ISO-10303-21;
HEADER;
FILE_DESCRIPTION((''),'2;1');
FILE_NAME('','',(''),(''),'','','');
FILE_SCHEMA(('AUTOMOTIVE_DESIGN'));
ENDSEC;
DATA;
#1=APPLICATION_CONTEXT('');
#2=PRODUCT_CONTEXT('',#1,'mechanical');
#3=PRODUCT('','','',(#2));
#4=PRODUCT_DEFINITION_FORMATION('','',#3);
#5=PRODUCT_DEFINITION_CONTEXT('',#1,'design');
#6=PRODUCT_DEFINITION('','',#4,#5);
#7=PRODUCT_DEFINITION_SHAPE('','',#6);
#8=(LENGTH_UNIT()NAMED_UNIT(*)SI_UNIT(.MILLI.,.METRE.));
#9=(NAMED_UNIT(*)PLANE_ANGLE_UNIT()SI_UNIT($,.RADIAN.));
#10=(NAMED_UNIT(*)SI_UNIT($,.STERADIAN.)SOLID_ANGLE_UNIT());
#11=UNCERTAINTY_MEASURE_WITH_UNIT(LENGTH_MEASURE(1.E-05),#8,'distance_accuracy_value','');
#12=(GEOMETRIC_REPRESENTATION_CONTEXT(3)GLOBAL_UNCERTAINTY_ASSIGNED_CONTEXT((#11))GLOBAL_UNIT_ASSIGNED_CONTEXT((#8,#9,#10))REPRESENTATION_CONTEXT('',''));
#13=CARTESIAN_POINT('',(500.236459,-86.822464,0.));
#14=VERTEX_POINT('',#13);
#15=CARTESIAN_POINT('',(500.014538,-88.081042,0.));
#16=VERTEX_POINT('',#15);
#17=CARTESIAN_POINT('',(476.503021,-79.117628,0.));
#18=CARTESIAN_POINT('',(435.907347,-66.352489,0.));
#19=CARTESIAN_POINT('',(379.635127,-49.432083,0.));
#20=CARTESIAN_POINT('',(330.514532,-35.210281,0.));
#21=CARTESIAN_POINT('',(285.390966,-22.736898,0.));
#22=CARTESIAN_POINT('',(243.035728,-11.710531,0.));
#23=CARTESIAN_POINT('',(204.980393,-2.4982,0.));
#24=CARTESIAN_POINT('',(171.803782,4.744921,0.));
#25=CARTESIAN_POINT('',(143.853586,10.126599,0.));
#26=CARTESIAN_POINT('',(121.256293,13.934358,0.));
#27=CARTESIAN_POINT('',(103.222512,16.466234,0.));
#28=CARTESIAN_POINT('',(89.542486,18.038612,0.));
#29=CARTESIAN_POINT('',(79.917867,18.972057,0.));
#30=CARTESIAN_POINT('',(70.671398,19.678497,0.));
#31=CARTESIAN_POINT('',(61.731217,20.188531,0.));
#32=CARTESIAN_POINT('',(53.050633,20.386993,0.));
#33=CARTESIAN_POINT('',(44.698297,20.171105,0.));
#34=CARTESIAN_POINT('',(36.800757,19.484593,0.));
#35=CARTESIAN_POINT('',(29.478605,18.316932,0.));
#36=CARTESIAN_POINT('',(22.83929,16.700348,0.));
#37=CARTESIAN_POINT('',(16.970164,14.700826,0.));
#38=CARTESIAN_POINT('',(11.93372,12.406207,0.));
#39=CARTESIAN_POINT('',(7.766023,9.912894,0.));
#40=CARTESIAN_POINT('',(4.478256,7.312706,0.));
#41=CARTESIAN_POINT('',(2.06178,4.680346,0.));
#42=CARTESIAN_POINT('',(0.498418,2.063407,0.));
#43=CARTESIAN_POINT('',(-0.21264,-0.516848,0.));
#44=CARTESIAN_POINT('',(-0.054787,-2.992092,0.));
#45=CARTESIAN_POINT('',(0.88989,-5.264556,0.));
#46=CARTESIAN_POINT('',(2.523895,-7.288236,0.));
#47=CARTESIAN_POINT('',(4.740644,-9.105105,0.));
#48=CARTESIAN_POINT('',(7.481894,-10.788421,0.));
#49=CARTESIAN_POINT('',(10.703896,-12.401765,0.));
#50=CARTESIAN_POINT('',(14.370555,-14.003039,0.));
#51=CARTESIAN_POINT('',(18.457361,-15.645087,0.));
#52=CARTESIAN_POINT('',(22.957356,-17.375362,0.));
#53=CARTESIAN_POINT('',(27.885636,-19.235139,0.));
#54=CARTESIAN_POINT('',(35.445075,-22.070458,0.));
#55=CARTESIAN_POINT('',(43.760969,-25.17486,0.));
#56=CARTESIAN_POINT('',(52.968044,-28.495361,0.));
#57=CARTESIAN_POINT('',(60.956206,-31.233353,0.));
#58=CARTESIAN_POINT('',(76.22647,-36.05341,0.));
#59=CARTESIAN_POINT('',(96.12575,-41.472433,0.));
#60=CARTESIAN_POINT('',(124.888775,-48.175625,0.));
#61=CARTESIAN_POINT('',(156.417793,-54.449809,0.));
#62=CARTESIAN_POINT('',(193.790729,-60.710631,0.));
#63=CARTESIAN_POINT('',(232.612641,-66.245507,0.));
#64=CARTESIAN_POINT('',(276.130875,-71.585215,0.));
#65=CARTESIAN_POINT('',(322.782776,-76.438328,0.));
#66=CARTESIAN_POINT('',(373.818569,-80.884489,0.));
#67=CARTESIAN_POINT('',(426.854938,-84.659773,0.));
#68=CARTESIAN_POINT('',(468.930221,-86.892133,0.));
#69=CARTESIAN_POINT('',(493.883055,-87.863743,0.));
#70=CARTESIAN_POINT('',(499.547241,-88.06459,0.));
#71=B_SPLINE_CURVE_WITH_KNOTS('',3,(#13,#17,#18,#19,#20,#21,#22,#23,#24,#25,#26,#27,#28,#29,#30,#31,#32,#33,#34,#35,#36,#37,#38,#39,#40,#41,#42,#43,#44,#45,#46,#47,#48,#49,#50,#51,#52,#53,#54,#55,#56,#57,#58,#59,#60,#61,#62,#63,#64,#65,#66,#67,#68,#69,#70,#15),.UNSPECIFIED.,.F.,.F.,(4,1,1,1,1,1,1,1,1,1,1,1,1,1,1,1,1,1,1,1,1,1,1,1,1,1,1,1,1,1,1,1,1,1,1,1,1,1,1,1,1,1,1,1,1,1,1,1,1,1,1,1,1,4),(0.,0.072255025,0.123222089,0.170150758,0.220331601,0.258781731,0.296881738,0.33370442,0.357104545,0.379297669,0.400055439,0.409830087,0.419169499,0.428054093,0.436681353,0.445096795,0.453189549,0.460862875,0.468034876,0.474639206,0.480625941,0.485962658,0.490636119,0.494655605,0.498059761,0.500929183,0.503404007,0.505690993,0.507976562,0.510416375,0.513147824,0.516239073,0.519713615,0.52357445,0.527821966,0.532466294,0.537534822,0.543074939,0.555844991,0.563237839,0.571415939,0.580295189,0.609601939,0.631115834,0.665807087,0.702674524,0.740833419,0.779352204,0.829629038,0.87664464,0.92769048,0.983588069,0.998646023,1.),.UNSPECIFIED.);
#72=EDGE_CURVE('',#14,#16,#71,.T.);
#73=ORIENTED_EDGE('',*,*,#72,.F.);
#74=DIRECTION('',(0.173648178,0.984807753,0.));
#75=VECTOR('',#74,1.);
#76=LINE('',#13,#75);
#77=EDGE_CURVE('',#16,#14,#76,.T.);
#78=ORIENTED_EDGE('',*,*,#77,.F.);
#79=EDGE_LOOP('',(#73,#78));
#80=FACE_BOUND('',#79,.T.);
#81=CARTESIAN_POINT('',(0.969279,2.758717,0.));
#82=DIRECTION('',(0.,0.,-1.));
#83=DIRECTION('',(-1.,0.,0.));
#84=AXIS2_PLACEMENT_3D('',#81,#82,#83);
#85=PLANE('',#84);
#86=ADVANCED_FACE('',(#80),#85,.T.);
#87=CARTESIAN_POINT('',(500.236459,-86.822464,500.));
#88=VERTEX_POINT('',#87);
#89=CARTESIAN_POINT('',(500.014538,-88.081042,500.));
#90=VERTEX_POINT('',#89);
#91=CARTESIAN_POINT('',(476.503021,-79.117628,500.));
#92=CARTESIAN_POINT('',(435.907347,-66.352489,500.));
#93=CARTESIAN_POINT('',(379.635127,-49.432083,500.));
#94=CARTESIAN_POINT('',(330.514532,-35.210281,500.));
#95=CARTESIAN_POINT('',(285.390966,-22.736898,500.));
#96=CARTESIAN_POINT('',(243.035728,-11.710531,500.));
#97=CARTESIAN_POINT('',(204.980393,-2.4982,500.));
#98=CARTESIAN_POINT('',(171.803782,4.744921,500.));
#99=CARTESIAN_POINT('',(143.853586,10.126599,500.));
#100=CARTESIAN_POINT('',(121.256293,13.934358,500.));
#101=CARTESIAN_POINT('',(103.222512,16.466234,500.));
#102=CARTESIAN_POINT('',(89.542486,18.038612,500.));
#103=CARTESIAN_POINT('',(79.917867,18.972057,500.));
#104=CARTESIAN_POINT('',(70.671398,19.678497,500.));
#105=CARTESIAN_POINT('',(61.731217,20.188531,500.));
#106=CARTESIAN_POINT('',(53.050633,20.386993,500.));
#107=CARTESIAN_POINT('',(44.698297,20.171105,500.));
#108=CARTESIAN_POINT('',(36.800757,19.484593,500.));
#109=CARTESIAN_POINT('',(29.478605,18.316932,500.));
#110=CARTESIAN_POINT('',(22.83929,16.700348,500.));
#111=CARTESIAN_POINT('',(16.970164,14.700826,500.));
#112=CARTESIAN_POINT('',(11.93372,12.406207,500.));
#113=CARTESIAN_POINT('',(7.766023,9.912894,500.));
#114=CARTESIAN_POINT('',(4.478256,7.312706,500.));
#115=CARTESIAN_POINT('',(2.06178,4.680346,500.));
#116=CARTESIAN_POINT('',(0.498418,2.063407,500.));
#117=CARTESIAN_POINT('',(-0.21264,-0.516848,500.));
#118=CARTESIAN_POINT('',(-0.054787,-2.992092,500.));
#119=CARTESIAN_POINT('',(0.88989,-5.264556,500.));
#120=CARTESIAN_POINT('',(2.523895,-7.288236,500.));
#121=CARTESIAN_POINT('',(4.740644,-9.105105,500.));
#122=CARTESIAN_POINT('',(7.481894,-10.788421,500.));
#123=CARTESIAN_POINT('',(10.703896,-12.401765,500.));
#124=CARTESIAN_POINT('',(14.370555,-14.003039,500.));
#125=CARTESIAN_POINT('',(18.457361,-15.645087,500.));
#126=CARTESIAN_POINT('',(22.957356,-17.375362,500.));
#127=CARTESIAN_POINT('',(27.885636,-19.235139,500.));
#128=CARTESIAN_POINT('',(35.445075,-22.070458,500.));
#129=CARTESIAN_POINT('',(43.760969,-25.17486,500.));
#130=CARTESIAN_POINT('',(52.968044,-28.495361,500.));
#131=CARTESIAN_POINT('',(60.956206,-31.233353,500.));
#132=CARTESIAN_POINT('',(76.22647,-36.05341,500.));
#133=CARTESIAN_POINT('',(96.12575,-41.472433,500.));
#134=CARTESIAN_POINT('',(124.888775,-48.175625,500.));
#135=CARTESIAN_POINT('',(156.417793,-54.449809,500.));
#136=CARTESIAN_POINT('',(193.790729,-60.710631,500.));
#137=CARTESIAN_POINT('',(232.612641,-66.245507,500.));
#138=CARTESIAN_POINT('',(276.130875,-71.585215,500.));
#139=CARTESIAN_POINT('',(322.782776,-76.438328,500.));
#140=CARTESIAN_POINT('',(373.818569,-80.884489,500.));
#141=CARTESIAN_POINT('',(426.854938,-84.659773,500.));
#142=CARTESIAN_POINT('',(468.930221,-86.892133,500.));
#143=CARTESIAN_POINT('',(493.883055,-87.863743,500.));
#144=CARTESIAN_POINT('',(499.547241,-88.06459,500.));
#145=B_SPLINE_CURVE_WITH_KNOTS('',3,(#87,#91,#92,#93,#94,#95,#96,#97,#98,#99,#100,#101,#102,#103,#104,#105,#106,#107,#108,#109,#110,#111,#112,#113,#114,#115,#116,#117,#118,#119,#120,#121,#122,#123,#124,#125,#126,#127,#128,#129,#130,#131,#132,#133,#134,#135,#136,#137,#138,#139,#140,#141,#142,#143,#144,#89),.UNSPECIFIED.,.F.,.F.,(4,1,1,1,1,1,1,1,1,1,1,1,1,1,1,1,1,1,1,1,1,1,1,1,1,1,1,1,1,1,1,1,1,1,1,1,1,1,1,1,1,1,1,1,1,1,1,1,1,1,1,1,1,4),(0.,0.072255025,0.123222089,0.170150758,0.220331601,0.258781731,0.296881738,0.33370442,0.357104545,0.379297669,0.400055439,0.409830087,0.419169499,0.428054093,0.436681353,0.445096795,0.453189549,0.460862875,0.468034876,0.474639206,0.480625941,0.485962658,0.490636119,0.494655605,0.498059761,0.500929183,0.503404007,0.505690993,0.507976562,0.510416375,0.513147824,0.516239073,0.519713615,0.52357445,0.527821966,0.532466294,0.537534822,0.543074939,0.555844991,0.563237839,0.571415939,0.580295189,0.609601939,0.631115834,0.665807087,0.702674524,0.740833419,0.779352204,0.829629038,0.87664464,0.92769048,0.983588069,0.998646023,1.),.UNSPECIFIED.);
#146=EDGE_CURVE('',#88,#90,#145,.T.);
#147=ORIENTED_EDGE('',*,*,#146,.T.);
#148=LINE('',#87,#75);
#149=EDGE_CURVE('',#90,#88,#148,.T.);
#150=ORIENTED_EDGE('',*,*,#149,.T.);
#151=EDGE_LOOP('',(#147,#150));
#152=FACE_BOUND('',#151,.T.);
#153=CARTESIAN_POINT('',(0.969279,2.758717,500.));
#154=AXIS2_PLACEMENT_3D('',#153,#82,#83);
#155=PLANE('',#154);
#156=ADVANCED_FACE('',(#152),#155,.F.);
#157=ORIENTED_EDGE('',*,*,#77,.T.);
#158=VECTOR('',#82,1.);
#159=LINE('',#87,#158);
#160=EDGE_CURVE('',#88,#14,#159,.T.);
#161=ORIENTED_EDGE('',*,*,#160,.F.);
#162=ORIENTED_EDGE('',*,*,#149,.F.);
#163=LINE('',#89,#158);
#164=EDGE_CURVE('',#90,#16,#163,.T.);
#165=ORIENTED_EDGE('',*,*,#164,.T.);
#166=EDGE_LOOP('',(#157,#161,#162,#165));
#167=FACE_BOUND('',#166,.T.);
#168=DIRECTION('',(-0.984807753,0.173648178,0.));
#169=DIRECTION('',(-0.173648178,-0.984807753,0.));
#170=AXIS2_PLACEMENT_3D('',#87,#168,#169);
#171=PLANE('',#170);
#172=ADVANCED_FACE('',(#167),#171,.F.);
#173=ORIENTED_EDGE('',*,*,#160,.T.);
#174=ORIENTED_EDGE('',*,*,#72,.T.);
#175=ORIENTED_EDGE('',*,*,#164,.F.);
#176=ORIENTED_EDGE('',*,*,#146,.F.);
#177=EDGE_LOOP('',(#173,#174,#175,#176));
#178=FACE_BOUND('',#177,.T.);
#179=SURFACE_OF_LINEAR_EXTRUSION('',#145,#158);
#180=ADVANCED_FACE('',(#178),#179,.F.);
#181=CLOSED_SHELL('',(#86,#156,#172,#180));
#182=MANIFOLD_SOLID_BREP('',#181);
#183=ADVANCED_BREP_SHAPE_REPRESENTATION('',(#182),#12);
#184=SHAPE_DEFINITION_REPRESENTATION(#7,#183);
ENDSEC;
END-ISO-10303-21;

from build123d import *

# Parameters (mm, degrees)
DODANIE_WYCI_GNI_CIE1_DEPTH = 500


with BuildPart() as part:
    # Szkic1 → Dodanie-wyciągnięcie1 (new body)
    with BuildSketch(Plane.XY):
        with BuildLine():
            Line((500.236459207, -86.822463551), (500.014537954, -88.081041521))
            add(Edge.make_bspline(
                [(500.236459207, -86.822463551), (476.50302096, -79.117627864), (435.907347365, -66.352488826), (379.635127422, -49.432082907), (330.514532249, -35.210280772), (285.390965798, -22.736898114), (243.035728266, -11.710531457), (204.980392695, -2.498199851), (171.80378187, 4.744920732), (143.853586045, 10.126598704), (121.256292773, 13.934358096), (103.222511953, 16.4662337), (89.542486088, 18.038612433), (79.917866709, 18.972057051), (70.671398127, 19.678496533), (61.73121741, 20.188531005), (53.050632583, 20.386993119), (44.698296901, 20.171104888), (36.800756888, 19.484592527), (29.478604607, 18.316932041), (22.839289587, 16.700348263), (16.970164303, 14.700825556), (11.933719982, 12.406207295), (7.766023129, 9.912894215), (4.478256402, 7.312706017), (2.061779891, 4.680346152), (0.49841815, 2.063407037), (-0.212639902, -0.51684831), (-0.054787304, -2.992092218), (0.889889683, -5.26455614), (2.523894842, -7.288235737), (4.74064393, -9.105105292), (7.481894176, -10.788420727), (10.703896378, -12.401764648), (14.37055538, -14.00303941), (18.457361048, -15.645087446), (22.957356031, -17.375361521), (27.885635611, -19.235139498), (35.445075277, -22.070458454), (43.760969361, -25.174860079), (52.968044403, -28.495360735), (60.956206093, -31.233352864), (76.226469953, -36.053410227), (96.125750191, -41.472432941), (124.888774814, -48.175625048), (156.417792573, -54.449808774), (193.790729033, -60.710631254), (232.612641243, -66.245506853), (276.130874858, -71.585215369), (322.782776336, -76.438328082), (373.818568697, -80.884488537), (426.854937764, -84.659773211), (468.930220781, -86.892132863), (493.883055309, -87.863742522), (499.547240989, -88.064589736), (500.014537954, -88.081041521)],
                knots=[0, 0, 0, 0, 0.072255025, 0.123222089, 0.170150758, 0.220331601, 0.258781731, 0.296881738, 0.33370442, 0.357104545, 0.379297669, 0.400055439, 0.409830087, 0.419169499, 0.428054093, 0.436681353, 0.445096795, 0.453189549, 0.460862875, 0.468034876, 0.474639206, 0.480625941, 0.485962658, 0.490636119, 0.494655605, 0.498059761, 0.500929183, 0.503404007, 0.505690993, 0.507976562, 0.510416375, 0.513147824, 0.516239073, 0.519713615, 0.52357445, 0.527821966, 0.532466294, 0.537534822, 0.543074939, 0.555844991, 0.563237839, 0.571415939, 0.580295189, 0.609601939, 0.631115834, 0.665807087, 0.702674524, 0.740833419, 0.779352204, 0.829629038, 0.87664464, 0.92769048, 0.983588069, 0.998646023, 1, 1, 1, 1], degree=3))
        make_face()
    extrude(amount=DODANIE_WYCI_GNI_CIE1_DEPTH)


solid = part.part
